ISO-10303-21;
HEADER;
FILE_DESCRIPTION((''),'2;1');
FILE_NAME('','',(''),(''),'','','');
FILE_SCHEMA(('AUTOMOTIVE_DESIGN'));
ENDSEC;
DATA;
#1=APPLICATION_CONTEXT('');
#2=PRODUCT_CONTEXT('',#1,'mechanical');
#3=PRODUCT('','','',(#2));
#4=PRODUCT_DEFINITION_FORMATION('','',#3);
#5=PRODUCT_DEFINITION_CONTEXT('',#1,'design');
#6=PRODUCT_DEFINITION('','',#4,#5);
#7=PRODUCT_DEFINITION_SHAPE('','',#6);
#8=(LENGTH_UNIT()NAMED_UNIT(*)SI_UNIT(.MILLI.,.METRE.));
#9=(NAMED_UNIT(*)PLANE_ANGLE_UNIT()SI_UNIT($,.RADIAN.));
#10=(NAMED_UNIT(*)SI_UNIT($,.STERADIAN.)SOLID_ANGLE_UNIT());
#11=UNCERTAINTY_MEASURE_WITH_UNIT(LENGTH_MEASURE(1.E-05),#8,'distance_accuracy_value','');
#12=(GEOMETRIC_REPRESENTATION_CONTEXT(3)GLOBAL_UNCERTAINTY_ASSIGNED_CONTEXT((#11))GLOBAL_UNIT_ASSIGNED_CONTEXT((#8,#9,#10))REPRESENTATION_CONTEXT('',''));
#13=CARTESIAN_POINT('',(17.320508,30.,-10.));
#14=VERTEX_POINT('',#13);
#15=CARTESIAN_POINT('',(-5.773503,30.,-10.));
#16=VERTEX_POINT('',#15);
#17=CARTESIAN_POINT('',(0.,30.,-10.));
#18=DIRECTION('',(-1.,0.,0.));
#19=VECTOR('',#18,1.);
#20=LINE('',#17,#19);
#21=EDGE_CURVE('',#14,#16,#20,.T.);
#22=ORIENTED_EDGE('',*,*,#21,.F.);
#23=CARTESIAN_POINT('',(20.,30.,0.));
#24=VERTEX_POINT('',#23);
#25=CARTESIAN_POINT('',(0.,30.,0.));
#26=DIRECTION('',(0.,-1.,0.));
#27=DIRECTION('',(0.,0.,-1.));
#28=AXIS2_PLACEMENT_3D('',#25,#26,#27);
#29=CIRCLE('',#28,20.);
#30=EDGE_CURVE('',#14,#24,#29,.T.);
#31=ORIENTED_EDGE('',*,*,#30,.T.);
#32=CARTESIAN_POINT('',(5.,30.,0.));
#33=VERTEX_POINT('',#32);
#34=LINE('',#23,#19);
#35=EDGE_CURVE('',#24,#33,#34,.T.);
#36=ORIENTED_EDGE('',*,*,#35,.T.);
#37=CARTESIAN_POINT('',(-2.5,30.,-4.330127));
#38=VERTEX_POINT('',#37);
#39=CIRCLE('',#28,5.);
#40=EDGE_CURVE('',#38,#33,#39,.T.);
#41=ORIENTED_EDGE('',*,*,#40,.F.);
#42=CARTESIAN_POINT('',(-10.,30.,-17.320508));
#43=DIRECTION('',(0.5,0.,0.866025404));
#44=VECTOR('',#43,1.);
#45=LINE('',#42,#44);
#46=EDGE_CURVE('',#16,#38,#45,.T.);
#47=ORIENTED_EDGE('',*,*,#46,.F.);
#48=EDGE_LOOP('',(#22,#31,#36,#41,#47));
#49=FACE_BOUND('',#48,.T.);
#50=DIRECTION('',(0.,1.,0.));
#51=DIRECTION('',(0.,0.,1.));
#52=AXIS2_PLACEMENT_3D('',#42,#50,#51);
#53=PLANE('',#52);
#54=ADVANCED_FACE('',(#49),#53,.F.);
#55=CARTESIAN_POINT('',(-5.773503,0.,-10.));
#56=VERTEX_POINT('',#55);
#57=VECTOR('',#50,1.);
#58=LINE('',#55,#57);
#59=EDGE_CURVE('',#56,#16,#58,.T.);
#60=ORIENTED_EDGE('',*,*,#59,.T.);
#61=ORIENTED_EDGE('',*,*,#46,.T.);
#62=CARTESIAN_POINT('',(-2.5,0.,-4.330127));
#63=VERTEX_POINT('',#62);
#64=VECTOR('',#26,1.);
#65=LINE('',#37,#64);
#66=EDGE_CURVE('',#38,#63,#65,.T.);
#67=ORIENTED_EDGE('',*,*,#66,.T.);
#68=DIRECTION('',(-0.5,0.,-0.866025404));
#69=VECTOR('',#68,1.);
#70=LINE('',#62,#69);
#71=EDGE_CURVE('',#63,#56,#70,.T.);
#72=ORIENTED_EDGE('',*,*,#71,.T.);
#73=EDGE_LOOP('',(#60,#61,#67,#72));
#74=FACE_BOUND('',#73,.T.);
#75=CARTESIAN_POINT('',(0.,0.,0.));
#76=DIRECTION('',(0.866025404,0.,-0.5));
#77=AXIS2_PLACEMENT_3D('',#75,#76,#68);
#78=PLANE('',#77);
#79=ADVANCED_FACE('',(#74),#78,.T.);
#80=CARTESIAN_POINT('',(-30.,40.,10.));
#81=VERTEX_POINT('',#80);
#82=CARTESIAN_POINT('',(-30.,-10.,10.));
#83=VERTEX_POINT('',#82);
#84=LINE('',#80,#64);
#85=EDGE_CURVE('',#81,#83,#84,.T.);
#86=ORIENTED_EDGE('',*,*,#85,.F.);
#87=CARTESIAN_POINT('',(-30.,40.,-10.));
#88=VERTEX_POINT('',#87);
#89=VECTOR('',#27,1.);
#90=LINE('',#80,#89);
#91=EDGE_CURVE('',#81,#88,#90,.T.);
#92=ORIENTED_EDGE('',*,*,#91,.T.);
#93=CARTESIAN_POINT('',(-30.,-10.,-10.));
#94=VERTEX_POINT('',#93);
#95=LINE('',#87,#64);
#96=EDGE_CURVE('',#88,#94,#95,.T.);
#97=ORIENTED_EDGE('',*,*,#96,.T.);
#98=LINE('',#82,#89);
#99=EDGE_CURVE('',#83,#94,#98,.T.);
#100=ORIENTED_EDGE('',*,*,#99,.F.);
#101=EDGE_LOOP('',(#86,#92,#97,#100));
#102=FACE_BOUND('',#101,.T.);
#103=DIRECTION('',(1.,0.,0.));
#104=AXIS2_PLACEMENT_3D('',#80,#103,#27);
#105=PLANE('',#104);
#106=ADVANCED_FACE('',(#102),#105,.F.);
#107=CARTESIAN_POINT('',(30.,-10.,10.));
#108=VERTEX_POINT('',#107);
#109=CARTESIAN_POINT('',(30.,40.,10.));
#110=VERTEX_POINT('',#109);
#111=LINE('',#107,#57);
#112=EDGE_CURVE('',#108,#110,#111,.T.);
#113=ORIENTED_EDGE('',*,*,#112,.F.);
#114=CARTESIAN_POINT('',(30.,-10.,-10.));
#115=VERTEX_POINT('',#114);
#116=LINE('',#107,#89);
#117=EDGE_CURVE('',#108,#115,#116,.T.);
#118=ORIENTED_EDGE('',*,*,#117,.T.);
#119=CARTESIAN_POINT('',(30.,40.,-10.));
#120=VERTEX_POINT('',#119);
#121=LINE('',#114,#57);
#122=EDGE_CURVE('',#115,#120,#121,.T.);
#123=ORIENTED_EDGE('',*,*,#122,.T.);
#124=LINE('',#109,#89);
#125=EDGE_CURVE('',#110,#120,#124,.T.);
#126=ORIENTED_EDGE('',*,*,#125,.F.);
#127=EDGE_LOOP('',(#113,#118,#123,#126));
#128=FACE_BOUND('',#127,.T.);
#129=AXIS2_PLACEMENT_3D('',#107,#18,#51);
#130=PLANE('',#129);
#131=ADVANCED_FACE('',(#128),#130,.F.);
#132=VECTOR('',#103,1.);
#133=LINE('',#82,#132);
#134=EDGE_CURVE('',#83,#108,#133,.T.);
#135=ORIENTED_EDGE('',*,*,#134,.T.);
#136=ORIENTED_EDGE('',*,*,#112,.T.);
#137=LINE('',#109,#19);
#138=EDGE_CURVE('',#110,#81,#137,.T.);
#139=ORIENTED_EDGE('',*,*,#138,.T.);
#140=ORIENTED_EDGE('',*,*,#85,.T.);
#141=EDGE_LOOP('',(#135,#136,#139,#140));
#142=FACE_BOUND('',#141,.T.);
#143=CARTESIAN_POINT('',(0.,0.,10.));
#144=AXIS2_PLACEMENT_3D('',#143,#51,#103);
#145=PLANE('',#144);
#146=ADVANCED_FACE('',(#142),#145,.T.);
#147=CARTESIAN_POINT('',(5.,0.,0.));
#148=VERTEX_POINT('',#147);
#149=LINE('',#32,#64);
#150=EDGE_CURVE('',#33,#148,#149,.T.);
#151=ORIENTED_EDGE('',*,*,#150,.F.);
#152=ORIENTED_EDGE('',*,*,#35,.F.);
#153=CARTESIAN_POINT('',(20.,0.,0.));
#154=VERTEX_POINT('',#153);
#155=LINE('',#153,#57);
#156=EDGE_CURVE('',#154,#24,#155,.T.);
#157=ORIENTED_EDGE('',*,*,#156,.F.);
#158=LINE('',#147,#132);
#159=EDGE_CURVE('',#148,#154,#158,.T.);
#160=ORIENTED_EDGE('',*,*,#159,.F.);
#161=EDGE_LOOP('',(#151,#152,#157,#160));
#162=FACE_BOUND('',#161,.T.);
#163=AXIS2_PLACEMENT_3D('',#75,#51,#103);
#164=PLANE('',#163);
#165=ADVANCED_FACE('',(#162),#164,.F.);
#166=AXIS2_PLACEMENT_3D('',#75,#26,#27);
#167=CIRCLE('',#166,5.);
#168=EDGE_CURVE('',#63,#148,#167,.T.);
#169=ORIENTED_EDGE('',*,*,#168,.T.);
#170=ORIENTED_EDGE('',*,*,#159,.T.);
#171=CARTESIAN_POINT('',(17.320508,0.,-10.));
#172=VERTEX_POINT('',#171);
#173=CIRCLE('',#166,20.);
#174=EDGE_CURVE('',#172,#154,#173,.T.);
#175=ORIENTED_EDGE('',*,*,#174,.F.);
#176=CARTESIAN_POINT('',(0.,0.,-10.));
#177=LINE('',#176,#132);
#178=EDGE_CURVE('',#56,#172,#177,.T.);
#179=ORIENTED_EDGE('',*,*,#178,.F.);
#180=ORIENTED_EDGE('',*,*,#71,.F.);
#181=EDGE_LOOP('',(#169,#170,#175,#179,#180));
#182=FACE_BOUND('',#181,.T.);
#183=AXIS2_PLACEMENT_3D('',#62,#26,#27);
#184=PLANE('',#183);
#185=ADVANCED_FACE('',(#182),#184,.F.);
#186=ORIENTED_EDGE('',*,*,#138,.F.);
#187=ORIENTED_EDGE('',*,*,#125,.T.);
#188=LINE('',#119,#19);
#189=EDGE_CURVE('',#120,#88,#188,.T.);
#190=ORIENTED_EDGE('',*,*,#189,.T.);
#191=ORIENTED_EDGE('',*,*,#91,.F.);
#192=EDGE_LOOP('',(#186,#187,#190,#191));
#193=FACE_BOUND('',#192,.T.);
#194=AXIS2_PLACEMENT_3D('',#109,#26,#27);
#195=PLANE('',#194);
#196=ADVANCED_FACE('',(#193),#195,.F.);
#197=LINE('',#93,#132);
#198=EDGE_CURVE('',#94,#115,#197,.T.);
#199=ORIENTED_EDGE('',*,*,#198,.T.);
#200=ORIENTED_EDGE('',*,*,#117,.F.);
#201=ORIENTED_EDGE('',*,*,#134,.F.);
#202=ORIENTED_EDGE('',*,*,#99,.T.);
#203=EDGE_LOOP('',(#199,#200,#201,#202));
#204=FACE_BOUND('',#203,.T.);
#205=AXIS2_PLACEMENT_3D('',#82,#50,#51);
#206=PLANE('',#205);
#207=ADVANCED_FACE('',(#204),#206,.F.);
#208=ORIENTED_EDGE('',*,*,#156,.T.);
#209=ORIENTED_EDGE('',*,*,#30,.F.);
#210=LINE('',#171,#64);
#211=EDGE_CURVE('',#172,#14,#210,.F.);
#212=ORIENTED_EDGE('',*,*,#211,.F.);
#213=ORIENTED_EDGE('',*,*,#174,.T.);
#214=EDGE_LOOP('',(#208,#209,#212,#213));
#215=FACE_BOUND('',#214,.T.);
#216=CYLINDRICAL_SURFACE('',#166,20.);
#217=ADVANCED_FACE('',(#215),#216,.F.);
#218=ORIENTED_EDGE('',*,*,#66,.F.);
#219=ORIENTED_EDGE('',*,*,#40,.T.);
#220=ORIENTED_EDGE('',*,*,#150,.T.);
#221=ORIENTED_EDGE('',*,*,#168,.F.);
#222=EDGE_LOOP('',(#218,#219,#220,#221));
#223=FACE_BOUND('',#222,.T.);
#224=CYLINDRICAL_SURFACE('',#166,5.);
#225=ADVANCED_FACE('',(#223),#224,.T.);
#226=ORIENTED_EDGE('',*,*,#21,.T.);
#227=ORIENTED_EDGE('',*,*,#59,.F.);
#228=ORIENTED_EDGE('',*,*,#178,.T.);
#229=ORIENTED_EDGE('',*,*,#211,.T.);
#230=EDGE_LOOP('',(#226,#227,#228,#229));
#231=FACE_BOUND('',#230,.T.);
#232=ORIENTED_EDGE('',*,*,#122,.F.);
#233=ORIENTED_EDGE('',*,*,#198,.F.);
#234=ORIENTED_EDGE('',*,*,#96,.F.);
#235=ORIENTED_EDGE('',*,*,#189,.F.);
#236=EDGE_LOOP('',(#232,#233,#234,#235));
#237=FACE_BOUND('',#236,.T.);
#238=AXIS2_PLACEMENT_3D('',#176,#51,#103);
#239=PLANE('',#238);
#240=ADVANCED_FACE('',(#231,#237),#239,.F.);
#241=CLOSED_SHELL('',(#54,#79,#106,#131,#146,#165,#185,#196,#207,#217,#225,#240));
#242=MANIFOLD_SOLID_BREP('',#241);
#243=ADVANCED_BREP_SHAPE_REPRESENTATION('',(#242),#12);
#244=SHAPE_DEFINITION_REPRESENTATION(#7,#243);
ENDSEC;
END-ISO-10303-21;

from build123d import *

# Parameters (mm, degrees)
SKETCH1_W           = 60
SKETCH1_H           = 50
BOSS_EXTRUDE1_DEPTH = 10
SKETCH2_W           = 15
SKETCH2_H           = 30
CUT_REVOLVE1_ANGLE  = 120


with BuildPart() as part:
    # Sketch1 → Boss-Extrude1 (new, symmetric)
    with BuildSketch(Plane.XY):
        with Locations((0, 15)):
            Rectangle(SKETCH1_W, SKETCH1_H)
    extrude(amount=BOSS_EXTRUDE1_DEPTH, both=True)

    # Sketch2 → Cut-Revolve1 (revolve, cut)
    with BuildSketch(Plane.XY):
        with Locations((12.5, 15)):
            Rectangle(SKETCH2_W, SKETCH2_H)
    revolve(axis=Axis((0, 0, 0), (0, 1, 0)), revolution_arc=CUT_REVOLVE1_ANGLE, mode=Mode.SUBTRACT)


solid = part.part
